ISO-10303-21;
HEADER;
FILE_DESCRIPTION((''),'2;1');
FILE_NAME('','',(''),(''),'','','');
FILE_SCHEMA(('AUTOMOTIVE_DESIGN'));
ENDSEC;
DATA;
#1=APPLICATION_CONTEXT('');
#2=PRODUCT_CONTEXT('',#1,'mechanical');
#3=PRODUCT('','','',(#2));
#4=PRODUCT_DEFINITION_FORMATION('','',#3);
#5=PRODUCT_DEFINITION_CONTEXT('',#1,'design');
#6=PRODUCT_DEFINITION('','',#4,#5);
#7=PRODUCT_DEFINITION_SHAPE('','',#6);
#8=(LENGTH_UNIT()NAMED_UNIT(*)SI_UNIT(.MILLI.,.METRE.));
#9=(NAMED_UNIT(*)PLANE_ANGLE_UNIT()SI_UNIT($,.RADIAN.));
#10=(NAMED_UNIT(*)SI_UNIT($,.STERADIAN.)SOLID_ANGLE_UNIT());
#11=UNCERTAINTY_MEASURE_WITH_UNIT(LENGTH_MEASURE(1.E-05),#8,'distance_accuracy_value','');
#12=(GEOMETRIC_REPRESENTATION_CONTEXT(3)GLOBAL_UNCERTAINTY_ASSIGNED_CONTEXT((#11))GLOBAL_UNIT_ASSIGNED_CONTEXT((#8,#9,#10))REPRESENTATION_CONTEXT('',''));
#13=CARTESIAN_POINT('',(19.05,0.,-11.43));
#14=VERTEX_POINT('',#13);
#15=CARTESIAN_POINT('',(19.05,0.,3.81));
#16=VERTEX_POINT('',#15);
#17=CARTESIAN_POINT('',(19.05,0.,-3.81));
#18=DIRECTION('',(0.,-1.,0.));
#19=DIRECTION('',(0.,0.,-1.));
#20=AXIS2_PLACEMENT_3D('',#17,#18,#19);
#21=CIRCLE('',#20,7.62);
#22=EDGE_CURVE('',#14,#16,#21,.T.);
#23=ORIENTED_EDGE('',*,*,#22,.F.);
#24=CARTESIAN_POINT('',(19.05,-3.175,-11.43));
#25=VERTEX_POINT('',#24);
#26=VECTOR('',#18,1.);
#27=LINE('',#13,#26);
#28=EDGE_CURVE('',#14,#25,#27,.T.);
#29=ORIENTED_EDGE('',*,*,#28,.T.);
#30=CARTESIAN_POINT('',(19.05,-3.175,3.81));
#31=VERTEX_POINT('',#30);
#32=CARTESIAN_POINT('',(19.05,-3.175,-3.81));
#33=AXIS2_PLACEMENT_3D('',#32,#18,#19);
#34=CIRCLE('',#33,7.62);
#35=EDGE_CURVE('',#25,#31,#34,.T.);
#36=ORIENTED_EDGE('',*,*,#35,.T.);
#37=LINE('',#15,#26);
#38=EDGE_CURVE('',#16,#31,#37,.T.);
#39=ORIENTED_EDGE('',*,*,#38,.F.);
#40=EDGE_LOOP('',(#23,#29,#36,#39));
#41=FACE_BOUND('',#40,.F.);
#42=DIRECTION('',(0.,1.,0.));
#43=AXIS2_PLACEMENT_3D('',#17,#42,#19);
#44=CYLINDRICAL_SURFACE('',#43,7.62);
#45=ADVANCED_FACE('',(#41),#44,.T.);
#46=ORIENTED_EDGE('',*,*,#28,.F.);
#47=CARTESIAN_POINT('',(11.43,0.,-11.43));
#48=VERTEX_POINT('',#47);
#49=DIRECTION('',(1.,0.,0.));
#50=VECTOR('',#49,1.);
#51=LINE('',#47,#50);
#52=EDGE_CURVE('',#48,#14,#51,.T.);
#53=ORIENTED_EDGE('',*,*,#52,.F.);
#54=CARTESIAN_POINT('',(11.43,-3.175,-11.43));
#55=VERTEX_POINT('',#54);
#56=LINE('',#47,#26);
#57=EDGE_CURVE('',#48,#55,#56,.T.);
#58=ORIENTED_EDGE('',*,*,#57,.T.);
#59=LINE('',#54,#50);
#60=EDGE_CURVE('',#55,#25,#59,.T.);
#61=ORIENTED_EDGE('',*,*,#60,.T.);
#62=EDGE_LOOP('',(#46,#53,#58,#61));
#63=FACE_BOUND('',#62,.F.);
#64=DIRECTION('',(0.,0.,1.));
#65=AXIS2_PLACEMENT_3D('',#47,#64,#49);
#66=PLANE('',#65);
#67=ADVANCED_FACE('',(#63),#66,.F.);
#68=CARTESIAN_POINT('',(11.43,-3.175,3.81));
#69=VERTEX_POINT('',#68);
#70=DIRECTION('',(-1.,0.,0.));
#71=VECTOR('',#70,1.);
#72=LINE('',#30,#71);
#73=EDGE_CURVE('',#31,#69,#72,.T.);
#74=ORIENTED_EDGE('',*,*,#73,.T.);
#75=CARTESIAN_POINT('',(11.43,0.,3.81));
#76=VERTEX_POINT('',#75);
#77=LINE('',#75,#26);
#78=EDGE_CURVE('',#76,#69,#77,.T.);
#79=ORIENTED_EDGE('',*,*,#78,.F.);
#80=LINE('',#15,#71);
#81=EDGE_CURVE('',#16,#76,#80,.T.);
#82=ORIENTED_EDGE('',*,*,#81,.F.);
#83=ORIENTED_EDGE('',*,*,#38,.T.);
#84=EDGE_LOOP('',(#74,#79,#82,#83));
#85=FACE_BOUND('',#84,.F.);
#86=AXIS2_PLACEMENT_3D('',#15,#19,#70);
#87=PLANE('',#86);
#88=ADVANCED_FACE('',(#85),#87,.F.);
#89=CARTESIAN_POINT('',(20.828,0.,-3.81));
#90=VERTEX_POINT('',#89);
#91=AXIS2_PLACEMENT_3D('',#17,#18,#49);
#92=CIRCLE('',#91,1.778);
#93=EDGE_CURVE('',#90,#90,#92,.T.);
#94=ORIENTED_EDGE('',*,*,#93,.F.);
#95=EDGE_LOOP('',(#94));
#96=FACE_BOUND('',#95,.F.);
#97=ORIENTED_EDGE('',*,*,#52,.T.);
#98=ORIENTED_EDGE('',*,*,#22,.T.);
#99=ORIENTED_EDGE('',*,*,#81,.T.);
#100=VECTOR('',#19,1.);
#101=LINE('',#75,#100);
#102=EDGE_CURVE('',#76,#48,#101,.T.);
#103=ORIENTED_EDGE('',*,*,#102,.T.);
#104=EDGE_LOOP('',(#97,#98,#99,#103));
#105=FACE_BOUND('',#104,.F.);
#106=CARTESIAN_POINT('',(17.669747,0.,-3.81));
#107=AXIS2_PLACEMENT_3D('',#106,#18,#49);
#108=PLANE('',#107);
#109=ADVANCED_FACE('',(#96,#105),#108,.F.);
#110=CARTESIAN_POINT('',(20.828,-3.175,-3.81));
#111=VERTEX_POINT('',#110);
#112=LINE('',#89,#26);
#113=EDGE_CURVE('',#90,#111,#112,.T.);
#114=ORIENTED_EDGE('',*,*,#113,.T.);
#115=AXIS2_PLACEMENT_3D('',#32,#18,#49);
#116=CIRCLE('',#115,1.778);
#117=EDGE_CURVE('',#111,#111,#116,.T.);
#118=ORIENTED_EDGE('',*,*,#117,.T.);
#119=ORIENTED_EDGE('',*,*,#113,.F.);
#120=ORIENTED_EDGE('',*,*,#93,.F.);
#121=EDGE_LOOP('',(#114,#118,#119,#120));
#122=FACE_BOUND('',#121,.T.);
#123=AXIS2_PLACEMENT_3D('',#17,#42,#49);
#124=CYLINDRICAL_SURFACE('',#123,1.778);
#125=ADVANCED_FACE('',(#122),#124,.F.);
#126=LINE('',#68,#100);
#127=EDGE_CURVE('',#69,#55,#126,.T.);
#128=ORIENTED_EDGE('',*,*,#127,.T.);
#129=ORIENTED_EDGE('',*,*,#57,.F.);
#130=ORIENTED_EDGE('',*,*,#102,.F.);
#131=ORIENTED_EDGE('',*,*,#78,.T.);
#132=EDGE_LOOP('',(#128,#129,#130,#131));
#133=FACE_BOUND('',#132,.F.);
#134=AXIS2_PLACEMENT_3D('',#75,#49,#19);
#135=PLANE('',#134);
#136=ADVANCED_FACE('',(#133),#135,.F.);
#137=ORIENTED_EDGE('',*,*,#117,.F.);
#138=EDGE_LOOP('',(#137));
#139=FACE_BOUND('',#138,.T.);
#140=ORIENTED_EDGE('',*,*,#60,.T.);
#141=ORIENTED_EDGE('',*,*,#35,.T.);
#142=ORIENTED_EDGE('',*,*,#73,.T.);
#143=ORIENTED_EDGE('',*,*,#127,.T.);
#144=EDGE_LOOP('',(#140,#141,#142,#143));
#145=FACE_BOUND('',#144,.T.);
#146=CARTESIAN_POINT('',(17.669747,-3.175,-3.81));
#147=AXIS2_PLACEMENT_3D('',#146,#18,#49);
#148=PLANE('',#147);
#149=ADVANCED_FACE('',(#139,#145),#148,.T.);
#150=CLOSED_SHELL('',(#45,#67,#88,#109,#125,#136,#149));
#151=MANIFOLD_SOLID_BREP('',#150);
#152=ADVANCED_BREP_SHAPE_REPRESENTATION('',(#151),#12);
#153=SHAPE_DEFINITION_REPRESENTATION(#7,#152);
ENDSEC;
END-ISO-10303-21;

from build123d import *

# Parameters (mm, degrees)
F0_R     = 1.778
F1_DEPTH = 3.175


with BuildPart() as f1:
    # F0 (on Front) → F1 (new body)
    with BuildSketch(Plane.XZ):
        with BuildLine():
            Line((11.43, -11.43), (19.05, -11.43))
            ThreePointArc((19.05, -11.43), (26.67, -3.81), (19.05, 3.81))
            Line((19.05, 3.81), (11.43, 3.81))
            Line((11.43, 3.81), (11.43, -3.81))
            Line((11.43, -3.81), (11.43, -11.43))
        make_face()
        with Locations((19.05, -3.81)):
            Circle(F0_R, mode=Mode.SUBTRACT)
    extrude(amount=F1_DEPTH)


solid = f1.part
